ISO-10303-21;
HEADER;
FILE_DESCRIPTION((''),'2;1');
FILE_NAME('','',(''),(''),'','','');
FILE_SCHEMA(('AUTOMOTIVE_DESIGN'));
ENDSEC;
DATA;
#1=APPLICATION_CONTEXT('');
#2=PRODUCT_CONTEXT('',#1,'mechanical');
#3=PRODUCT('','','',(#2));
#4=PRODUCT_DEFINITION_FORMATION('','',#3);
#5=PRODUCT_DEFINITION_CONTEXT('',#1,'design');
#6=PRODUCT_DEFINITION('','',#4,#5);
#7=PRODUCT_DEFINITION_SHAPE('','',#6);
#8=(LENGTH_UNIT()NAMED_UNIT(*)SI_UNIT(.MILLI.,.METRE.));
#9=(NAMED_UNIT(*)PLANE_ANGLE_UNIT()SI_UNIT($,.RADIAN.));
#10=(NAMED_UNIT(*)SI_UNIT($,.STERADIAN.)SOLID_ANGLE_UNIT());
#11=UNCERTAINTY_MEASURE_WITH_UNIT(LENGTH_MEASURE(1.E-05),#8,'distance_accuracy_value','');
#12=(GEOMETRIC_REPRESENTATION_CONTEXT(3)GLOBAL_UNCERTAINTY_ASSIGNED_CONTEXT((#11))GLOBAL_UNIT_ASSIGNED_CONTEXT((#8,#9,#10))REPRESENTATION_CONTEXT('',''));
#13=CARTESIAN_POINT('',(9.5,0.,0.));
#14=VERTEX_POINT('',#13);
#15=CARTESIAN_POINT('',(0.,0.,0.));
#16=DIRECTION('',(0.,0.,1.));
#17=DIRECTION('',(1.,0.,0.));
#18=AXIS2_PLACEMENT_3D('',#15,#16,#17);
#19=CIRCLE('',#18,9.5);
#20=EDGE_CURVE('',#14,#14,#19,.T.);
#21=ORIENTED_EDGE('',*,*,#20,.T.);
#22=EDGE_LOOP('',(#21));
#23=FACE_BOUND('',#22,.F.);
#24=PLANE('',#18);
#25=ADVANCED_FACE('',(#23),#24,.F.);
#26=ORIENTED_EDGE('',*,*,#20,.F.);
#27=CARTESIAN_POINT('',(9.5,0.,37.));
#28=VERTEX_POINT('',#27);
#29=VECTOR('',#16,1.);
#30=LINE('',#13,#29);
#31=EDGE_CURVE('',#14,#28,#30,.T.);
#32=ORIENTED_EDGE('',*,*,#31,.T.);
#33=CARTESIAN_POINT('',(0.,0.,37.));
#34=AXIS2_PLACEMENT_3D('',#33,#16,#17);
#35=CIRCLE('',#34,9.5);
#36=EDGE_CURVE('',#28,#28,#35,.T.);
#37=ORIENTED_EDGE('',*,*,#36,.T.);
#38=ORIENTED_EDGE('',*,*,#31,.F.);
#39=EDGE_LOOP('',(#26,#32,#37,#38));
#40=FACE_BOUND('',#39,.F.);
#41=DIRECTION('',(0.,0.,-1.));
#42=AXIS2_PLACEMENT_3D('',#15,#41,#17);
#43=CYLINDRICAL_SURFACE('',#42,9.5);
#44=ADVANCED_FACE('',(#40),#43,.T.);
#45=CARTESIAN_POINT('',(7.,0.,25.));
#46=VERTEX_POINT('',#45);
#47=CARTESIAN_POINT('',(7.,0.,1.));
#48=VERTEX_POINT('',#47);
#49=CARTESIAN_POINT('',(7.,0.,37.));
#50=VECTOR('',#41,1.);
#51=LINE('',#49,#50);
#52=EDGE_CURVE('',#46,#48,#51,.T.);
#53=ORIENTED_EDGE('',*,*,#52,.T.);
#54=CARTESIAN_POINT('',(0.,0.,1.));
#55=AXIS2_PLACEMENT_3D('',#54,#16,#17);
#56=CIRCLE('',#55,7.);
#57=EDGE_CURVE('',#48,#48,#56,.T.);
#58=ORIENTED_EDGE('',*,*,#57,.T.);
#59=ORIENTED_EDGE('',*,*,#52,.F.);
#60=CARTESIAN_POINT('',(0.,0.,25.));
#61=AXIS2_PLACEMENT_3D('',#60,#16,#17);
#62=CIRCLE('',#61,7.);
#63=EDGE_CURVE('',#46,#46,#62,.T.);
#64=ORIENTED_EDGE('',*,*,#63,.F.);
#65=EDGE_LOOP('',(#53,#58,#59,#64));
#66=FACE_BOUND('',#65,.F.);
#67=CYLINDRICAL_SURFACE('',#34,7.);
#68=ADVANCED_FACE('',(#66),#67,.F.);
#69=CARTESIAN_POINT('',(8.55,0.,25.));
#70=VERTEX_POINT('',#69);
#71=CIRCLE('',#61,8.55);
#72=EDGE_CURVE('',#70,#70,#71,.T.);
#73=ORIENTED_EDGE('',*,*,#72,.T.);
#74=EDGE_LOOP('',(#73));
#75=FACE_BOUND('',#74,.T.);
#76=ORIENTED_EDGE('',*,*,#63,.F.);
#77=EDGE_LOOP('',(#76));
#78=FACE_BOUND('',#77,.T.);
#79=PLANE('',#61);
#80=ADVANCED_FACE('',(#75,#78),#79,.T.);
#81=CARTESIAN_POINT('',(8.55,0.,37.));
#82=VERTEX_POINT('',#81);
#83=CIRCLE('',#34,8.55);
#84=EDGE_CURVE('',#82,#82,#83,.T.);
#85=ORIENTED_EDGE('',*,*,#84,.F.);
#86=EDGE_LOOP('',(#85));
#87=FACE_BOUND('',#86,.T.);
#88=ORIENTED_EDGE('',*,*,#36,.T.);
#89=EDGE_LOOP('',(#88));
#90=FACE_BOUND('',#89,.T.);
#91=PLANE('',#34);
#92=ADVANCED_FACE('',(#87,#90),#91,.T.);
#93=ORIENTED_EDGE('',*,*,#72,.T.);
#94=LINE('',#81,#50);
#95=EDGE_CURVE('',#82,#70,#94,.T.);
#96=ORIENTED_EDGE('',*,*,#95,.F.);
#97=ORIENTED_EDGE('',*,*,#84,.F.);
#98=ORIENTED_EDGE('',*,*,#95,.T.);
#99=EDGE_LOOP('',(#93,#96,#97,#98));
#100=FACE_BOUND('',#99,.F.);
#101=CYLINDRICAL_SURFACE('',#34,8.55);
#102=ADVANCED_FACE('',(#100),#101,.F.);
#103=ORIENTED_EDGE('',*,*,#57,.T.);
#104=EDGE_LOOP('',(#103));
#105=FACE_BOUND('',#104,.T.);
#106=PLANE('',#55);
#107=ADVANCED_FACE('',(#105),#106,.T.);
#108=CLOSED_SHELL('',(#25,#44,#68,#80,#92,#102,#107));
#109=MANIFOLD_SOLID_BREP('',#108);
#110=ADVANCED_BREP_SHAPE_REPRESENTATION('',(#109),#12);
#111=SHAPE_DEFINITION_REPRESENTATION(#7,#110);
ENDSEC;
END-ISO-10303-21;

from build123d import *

# Parameters (mm, degrees)
F0_R     = 9.5
F1_DEPTH = 37
F2_R     = 7
F3_DEPTH = 36
F2_R_2   = 8.55
F4_DEPTH = 12


with BuildPart() as f1:
    # F0 (on Top) → F1 (new body)
    with BuildSketch(Plane.XY):
        Circle(F0_R)
    extrude(amount=F1_DEPTH)

    # F2 (on face) → F3 (cut)
    with BuildSketch(Plane.XY.offset(37)):
        Circle(F2_R)
    extrude(amount=-F3_DEPTH, mode=Mode.SUBTRACT)

    # F2 (on face) → F4 (cut)
    with BuildSketch(Plane.XY.offset(37)):
        Circle(F2_R_2)
        Circle(F2_R, mode=Mode.SUBTRACT)
    extrude(amount=-F4_DEPTH, mode=Mode.SUBTRACT)


solid = f1.part
